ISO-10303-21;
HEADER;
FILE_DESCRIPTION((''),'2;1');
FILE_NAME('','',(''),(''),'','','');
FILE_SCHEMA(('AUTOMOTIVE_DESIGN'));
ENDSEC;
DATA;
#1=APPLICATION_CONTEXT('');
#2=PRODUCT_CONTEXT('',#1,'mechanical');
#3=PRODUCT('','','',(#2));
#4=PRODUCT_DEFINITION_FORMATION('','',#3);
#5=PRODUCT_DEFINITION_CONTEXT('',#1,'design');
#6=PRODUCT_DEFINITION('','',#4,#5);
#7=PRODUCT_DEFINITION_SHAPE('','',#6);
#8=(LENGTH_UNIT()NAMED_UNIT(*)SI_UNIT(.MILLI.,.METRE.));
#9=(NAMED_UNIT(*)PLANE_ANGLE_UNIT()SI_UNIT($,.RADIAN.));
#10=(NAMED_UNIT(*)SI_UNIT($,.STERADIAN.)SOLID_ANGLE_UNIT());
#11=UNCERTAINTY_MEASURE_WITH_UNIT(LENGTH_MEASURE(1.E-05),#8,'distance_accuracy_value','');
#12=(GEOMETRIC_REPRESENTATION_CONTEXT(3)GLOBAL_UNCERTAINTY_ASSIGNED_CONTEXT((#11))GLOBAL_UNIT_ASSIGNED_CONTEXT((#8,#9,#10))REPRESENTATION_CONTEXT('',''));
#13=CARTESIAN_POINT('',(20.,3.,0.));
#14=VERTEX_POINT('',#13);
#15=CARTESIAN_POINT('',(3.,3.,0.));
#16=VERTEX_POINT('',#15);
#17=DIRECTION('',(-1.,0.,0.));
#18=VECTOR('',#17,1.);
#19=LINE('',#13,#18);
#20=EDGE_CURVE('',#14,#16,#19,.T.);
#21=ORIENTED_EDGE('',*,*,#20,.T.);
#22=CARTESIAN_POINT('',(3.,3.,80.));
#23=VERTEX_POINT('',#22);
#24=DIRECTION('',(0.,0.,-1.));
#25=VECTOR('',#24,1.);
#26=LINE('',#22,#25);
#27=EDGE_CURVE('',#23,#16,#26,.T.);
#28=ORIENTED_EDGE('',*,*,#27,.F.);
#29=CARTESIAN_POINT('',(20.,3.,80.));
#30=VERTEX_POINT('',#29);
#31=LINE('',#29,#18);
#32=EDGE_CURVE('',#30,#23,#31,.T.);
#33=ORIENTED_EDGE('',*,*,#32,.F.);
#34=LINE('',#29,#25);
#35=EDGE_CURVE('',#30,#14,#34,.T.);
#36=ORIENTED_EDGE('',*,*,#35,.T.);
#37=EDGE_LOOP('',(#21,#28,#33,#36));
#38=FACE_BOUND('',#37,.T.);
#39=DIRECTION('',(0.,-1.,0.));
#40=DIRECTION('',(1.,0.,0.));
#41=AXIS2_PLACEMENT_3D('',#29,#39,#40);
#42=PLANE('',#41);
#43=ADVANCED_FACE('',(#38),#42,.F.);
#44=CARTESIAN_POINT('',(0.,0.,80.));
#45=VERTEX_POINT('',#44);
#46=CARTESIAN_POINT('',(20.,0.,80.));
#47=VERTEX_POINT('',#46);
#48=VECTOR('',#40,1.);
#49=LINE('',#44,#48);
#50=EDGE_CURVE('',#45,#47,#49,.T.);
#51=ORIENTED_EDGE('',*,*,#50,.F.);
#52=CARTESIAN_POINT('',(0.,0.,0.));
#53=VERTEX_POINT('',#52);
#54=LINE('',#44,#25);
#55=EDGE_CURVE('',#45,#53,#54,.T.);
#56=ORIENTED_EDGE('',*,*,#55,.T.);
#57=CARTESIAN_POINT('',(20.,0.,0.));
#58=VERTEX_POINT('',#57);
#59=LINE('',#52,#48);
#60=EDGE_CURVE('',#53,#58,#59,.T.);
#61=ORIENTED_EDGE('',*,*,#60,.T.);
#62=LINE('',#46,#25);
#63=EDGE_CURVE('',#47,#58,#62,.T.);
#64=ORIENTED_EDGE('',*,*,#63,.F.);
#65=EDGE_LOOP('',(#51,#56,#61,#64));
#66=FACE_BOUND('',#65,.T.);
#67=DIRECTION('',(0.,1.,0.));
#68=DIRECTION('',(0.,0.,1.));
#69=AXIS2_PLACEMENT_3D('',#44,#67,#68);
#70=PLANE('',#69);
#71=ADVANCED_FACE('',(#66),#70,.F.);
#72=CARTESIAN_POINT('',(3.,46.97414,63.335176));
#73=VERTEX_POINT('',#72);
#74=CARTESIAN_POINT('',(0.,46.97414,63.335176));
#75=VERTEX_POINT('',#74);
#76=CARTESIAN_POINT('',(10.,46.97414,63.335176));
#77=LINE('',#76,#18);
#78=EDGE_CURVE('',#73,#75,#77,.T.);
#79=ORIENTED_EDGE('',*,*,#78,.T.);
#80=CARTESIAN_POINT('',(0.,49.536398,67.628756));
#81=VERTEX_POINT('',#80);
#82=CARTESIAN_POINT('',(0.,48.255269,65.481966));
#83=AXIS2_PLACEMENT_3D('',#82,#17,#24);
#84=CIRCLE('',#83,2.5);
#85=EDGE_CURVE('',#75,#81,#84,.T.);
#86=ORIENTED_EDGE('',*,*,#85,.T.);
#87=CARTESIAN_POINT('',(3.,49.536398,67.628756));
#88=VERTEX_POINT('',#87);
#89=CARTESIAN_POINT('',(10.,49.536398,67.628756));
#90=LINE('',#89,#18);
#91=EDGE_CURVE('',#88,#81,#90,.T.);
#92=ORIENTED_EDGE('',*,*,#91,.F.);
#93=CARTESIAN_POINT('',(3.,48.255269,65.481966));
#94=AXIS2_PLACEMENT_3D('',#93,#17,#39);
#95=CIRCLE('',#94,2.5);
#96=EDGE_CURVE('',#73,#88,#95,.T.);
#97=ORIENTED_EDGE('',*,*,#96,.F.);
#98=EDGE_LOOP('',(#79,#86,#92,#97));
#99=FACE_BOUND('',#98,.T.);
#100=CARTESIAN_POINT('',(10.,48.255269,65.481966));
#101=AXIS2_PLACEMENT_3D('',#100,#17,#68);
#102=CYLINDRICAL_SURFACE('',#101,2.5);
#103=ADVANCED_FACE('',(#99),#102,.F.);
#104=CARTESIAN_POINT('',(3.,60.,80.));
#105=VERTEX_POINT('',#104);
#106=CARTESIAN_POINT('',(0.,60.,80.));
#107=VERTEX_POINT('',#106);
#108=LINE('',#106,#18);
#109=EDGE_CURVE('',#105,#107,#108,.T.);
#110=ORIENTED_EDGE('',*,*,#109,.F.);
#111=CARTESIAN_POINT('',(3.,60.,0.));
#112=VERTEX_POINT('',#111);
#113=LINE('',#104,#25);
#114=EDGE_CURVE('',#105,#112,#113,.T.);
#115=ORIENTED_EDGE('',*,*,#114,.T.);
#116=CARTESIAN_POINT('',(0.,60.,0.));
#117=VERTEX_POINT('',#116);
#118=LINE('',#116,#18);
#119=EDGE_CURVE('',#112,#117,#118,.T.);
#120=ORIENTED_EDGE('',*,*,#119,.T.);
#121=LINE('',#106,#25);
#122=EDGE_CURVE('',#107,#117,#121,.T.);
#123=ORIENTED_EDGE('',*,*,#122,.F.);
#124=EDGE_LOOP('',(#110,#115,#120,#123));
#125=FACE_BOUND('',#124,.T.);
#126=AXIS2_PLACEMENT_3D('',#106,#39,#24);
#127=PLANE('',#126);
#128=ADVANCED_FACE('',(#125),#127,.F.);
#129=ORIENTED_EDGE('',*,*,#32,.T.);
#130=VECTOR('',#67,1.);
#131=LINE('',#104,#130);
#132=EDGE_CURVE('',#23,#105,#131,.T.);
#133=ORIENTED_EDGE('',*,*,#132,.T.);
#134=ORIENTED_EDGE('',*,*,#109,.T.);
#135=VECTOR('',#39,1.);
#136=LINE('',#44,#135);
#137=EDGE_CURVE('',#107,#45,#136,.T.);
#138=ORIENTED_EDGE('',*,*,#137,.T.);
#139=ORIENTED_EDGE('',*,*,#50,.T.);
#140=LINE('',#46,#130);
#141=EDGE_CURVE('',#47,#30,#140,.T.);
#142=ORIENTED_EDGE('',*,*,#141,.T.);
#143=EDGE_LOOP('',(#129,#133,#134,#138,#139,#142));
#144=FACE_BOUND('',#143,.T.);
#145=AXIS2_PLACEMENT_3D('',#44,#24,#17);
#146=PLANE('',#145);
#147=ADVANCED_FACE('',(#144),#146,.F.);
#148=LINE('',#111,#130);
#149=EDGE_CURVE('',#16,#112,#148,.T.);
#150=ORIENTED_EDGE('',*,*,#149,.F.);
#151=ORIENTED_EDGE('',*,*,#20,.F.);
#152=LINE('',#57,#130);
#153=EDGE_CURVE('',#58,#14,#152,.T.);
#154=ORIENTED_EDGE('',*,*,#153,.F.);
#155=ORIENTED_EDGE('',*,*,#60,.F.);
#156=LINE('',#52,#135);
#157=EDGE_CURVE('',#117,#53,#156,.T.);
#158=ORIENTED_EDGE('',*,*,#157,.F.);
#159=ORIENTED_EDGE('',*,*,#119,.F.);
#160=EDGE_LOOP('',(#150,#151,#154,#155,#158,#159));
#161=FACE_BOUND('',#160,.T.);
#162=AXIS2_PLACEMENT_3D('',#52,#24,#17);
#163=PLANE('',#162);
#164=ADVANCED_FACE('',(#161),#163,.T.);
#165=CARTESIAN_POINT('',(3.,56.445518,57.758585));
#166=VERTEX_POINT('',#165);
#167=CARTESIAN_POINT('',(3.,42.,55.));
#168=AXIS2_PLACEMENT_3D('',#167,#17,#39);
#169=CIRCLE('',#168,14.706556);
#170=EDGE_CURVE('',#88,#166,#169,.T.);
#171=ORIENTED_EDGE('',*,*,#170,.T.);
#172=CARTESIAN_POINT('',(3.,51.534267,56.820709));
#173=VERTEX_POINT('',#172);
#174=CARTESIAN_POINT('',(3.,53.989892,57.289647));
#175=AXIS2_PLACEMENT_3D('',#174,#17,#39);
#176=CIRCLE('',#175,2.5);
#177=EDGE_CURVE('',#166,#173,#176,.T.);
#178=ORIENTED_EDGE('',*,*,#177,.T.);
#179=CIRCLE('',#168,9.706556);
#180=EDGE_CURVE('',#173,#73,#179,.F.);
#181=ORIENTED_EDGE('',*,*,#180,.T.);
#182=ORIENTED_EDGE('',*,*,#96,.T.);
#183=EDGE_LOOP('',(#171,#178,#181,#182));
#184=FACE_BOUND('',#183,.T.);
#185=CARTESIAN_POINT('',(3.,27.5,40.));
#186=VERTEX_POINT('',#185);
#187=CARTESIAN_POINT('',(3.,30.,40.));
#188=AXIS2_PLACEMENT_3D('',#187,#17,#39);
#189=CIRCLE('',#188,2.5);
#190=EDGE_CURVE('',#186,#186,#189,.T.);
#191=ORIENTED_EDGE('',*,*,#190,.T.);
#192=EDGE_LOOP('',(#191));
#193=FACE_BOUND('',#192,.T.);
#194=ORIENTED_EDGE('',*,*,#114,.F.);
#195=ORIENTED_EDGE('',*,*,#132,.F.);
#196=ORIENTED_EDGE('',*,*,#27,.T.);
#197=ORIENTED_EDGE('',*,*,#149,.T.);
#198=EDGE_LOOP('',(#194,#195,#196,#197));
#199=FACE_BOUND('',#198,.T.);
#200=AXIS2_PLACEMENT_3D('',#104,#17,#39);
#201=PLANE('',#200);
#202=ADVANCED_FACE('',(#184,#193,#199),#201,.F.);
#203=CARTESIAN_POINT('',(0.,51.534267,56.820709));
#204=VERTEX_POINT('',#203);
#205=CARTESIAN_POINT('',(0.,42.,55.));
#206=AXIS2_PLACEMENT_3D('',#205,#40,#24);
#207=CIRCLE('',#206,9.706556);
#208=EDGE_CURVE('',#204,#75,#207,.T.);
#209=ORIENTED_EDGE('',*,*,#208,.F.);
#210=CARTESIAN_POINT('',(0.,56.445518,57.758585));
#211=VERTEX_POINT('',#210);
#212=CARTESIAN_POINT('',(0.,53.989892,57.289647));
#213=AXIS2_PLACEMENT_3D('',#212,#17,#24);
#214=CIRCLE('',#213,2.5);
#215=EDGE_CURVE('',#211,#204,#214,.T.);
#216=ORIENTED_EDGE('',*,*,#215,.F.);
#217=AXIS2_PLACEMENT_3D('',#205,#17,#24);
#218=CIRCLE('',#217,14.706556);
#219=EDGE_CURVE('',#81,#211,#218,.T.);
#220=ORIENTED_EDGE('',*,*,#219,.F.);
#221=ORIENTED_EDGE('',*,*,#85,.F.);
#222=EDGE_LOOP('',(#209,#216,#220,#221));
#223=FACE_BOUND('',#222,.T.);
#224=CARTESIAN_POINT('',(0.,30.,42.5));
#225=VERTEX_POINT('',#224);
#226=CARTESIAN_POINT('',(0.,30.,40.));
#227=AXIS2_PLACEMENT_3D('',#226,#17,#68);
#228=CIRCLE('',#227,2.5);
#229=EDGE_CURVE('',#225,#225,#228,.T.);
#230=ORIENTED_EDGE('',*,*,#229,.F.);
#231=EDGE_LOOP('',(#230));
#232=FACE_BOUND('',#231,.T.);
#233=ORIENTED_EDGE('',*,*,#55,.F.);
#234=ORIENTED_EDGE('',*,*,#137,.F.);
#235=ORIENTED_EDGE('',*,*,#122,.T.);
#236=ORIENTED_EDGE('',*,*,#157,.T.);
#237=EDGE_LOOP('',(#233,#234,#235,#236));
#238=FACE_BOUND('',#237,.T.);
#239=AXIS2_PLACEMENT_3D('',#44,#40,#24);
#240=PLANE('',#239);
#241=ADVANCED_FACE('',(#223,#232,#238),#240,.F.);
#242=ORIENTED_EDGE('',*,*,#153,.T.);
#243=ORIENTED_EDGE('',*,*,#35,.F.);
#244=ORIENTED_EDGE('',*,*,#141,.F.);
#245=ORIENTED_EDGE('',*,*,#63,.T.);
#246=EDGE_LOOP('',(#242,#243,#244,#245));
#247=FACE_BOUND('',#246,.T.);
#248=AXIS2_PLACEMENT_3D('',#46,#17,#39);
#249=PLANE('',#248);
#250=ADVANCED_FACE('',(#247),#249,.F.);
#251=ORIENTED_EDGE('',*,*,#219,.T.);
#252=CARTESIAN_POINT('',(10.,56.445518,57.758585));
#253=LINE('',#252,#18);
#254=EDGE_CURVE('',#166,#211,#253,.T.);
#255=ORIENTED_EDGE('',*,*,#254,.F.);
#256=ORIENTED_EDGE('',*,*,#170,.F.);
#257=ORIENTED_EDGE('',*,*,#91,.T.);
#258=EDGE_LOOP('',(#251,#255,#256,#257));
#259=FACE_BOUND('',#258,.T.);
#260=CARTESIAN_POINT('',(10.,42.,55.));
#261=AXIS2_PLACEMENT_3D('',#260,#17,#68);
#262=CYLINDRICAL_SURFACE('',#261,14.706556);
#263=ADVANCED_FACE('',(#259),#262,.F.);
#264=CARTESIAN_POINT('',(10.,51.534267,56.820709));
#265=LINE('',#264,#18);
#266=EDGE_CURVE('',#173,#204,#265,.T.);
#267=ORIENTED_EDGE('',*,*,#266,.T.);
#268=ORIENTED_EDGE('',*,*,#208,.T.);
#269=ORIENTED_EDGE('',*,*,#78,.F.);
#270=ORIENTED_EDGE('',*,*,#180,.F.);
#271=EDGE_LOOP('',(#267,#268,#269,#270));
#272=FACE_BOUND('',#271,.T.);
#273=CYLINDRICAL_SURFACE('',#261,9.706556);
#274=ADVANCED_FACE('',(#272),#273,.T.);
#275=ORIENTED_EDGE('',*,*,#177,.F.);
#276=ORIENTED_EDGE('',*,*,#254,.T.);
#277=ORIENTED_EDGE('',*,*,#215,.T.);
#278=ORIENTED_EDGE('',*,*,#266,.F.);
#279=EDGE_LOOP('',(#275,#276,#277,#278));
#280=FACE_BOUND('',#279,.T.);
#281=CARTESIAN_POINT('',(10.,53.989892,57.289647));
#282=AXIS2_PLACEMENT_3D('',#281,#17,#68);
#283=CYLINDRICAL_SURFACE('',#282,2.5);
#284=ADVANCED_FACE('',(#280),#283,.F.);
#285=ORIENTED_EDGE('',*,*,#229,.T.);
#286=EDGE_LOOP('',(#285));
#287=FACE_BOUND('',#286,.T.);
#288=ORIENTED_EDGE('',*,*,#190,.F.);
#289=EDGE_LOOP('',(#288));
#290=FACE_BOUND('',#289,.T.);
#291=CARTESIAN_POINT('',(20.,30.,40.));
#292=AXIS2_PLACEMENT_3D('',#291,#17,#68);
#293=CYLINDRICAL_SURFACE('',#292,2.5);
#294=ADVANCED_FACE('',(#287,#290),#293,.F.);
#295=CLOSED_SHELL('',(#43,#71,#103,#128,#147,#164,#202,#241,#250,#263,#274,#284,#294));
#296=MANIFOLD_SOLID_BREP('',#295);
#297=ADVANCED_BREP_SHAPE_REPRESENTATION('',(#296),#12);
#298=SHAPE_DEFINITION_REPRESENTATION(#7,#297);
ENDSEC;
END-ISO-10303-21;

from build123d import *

# Parameters (mm, degrees)
BOSS_EXTRUDE1_DEPTH = 80
SKETCH2_R           = 2.5
CUT_EXTRUDE1_DEPTH  = 21
CUT_EXTRUDE2_DEPTH  = 10


with BuildPart() as part:
    # Sketch1 → Boss-Extrude1 (new body)
    with BuildSketch(Plane.XY):
        Polygon((0, 0), (20, 0), (20, 3), (3, 3), (3, 60), (0, 60), align=None)
    extrude(amount=BOSS_EXTRUDE1_DEPTH)

    # Sketch2 → Cut-Extrude1 (cut, through all)
    with BuildSketch(Plane.ZY):
        with Locations((40, 30)):
            Circle(SKETCH2_R)
    extrude(amount=-CUT_EXTRUDE1_DEPTH, mode=Mode.SUBTRACT)

    # Sketch3 → Cut-Extrude2 (cut)
    with BuildSketch(Plane.ZY):
        with BuildLine():
            ThreePointArc((57.758584744, 56.445517931), (63.433655861, 54.048079801), (67.628756298, 49.536397843))
            ThreePointArc((67.628756298, 49.536397843), (66.763094992, 46.108478576), (63.335175725, 46.974139881))
            ThreePointArc((63.335175725, 46.974139881), (60.566344139, 49.951920199), (56.820708869, 51.534266681))
            ThreePointArc((56.820708869, 51.534266681), (54.834021181, 54.458830243), (57.758584744, 56.445517931))
        make_face()
    extrude(amount=-CUT_EXTRUDE2_DEPTH, mode=Mode.SUBTRACT)


solid = part.part
